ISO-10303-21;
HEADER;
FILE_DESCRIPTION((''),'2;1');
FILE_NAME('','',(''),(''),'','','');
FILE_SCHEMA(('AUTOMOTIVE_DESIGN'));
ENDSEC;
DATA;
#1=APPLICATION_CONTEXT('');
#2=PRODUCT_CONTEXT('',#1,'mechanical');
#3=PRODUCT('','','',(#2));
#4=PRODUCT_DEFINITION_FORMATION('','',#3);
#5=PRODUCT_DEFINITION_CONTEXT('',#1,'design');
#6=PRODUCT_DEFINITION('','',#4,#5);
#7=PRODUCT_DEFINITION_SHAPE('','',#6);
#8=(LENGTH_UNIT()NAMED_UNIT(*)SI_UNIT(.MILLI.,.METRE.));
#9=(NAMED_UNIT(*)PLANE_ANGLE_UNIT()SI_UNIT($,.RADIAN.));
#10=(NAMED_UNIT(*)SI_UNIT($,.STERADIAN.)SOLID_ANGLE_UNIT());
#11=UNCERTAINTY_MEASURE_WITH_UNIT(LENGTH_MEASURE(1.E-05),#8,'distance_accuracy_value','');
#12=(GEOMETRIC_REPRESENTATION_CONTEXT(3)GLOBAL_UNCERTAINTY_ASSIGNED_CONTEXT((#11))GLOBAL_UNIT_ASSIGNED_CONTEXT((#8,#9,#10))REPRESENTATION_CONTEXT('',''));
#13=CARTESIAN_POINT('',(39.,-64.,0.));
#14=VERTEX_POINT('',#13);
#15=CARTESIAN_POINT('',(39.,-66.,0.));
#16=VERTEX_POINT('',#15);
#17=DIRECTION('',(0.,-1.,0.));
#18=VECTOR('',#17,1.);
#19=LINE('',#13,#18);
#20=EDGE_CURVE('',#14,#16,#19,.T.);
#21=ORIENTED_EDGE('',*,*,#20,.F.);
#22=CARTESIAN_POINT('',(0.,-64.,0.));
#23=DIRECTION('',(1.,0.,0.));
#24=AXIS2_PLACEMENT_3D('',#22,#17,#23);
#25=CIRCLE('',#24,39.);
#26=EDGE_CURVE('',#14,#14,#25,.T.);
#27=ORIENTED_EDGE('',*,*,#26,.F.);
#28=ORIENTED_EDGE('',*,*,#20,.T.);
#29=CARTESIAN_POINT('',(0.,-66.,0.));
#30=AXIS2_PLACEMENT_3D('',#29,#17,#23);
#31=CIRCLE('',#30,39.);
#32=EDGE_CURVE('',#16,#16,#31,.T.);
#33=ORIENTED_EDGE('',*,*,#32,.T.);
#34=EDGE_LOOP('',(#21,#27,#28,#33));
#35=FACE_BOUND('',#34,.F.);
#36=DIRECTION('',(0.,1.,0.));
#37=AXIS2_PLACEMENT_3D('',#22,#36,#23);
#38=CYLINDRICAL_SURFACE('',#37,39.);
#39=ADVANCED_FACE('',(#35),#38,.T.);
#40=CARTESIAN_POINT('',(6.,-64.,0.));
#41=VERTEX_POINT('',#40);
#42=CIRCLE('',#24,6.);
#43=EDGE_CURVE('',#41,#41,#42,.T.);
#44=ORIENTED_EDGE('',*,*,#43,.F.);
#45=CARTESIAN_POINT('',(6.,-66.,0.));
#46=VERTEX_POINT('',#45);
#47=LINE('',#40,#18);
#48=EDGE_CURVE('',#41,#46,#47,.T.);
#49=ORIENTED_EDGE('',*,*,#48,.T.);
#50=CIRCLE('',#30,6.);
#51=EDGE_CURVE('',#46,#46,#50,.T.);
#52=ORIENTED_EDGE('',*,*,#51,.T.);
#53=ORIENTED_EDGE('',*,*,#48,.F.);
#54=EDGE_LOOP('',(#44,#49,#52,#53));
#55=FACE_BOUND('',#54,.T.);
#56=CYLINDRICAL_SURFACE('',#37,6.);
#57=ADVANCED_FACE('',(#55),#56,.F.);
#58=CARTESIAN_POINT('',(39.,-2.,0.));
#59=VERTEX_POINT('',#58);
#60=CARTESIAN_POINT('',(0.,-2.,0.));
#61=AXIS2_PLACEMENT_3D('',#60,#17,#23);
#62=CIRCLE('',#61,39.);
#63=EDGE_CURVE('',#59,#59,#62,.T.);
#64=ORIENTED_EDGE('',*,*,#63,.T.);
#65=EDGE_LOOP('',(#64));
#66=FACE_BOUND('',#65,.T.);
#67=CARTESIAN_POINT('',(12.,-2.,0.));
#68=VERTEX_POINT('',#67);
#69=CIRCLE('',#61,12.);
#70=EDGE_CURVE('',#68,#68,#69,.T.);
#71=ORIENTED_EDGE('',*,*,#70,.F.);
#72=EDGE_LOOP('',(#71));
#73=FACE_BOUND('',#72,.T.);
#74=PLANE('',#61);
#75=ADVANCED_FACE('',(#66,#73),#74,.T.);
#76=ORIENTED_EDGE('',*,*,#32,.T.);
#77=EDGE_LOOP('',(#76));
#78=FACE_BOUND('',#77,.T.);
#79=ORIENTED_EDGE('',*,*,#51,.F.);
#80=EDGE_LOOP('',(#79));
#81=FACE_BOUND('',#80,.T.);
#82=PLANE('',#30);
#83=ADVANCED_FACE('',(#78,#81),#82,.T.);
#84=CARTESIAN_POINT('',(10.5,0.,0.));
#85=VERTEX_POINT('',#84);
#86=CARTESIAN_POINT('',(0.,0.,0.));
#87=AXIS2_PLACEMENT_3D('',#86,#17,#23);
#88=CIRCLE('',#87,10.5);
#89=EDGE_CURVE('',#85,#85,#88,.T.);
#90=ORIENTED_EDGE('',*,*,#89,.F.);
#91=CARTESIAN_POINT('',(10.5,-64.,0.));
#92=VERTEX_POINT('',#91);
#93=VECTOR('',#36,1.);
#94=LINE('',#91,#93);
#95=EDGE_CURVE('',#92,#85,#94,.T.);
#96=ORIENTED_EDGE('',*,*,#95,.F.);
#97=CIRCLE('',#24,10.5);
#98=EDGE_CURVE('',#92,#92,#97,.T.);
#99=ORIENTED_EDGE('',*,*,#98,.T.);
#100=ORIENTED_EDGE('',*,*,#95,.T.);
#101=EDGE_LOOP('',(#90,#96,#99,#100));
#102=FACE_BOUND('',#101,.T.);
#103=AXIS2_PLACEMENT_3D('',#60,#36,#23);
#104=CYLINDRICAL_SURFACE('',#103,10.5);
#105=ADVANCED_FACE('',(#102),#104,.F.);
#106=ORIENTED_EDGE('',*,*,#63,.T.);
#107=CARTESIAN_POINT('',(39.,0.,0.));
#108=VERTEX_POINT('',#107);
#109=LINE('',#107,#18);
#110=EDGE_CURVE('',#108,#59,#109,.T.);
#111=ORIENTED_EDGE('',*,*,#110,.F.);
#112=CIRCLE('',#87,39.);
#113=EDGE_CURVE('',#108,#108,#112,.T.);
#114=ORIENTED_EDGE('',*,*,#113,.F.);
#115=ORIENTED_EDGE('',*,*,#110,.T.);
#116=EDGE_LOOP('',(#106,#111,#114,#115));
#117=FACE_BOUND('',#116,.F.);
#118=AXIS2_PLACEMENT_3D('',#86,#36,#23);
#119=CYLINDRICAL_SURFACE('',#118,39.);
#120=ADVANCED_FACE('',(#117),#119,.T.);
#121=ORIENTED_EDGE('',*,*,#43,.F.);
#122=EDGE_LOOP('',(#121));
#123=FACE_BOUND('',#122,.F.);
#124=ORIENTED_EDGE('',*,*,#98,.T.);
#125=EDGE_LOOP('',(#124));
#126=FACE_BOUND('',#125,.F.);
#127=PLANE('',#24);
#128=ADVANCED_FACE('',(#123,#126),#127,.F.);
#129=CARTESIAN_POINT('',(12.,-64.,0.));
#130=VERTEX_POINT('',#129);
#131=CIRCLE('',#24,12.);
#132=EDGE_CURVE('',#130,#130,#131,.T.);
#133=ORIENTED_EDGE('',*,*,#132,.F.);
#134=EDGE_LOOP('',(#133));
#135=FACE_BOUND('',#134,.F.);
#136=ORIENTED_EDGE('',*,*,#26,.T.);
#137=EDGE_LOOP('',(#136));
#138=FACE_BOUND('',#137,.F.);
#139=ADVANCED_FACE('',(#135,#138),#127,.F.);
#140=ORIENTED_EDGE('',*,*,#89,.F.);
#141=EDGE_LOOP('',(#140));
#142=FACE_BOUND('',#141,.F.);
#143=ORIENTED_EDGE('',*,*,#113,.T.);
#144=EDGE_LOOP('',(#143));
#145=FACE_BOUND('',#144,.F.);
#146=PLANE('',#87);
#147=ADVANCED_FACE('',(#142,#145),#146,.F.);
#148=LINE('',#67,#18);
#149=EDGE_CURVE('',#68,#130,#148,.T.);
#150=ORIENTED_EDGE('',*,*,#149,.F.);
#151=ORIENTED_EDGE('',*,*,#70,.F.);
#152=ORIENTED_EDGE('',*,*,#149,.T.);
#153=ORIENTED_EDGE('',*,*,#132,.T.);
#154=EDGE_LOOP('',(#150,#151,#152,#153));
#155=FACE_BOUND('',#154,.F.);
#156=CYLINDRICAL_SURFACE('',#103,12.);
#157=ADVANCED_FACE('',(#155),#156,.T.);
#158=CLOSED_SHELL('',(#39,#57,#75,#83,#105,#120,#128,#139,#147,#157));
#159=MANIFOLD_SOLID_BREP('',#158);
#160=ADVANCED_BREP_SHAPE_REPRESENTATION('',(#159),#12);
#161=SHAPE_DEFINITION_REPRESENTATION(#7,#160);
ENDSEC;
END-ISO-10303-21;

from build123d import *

# Parameters (mm, degrees)
F0_R     = 39
F0_R_2   = 10.5
F1_DEPTH = 2
F2_R     = 12
F2_R_2   = 10.5
F3_DEPTH = 62
F4_R     = 39
F4_R_2   = 6
F5_DEPTH = 2


with BuildPart() as f1:
    # F0 (on Front) → F1 (new body)
    with BuildSketch(Plane.XZ):
        Circle(F0_R)
        Circle(F0_R_2, mode=Mode.SUBTRACT)
    extrude(amount=F1_DEPTH)

    # F2 (on face) → F3 (join)
    with BuildSketch(Plane.XZ.offset(2)):
        Circle(F2_R)
        Circle(F2_R_2, mode=Mode.SUBTRACT)
    extrude(amount=F3_DEPTH)

    # F4 (on face) → F5 (join)
    with BuildSketch(Plane.XZ.offset(64)):
        Circle(F4_R)
        Circle(F4_R_2, mode=Mode.SUBTRACT)
    extrude(amount=F5_DEPTH)


solid = f1.part
